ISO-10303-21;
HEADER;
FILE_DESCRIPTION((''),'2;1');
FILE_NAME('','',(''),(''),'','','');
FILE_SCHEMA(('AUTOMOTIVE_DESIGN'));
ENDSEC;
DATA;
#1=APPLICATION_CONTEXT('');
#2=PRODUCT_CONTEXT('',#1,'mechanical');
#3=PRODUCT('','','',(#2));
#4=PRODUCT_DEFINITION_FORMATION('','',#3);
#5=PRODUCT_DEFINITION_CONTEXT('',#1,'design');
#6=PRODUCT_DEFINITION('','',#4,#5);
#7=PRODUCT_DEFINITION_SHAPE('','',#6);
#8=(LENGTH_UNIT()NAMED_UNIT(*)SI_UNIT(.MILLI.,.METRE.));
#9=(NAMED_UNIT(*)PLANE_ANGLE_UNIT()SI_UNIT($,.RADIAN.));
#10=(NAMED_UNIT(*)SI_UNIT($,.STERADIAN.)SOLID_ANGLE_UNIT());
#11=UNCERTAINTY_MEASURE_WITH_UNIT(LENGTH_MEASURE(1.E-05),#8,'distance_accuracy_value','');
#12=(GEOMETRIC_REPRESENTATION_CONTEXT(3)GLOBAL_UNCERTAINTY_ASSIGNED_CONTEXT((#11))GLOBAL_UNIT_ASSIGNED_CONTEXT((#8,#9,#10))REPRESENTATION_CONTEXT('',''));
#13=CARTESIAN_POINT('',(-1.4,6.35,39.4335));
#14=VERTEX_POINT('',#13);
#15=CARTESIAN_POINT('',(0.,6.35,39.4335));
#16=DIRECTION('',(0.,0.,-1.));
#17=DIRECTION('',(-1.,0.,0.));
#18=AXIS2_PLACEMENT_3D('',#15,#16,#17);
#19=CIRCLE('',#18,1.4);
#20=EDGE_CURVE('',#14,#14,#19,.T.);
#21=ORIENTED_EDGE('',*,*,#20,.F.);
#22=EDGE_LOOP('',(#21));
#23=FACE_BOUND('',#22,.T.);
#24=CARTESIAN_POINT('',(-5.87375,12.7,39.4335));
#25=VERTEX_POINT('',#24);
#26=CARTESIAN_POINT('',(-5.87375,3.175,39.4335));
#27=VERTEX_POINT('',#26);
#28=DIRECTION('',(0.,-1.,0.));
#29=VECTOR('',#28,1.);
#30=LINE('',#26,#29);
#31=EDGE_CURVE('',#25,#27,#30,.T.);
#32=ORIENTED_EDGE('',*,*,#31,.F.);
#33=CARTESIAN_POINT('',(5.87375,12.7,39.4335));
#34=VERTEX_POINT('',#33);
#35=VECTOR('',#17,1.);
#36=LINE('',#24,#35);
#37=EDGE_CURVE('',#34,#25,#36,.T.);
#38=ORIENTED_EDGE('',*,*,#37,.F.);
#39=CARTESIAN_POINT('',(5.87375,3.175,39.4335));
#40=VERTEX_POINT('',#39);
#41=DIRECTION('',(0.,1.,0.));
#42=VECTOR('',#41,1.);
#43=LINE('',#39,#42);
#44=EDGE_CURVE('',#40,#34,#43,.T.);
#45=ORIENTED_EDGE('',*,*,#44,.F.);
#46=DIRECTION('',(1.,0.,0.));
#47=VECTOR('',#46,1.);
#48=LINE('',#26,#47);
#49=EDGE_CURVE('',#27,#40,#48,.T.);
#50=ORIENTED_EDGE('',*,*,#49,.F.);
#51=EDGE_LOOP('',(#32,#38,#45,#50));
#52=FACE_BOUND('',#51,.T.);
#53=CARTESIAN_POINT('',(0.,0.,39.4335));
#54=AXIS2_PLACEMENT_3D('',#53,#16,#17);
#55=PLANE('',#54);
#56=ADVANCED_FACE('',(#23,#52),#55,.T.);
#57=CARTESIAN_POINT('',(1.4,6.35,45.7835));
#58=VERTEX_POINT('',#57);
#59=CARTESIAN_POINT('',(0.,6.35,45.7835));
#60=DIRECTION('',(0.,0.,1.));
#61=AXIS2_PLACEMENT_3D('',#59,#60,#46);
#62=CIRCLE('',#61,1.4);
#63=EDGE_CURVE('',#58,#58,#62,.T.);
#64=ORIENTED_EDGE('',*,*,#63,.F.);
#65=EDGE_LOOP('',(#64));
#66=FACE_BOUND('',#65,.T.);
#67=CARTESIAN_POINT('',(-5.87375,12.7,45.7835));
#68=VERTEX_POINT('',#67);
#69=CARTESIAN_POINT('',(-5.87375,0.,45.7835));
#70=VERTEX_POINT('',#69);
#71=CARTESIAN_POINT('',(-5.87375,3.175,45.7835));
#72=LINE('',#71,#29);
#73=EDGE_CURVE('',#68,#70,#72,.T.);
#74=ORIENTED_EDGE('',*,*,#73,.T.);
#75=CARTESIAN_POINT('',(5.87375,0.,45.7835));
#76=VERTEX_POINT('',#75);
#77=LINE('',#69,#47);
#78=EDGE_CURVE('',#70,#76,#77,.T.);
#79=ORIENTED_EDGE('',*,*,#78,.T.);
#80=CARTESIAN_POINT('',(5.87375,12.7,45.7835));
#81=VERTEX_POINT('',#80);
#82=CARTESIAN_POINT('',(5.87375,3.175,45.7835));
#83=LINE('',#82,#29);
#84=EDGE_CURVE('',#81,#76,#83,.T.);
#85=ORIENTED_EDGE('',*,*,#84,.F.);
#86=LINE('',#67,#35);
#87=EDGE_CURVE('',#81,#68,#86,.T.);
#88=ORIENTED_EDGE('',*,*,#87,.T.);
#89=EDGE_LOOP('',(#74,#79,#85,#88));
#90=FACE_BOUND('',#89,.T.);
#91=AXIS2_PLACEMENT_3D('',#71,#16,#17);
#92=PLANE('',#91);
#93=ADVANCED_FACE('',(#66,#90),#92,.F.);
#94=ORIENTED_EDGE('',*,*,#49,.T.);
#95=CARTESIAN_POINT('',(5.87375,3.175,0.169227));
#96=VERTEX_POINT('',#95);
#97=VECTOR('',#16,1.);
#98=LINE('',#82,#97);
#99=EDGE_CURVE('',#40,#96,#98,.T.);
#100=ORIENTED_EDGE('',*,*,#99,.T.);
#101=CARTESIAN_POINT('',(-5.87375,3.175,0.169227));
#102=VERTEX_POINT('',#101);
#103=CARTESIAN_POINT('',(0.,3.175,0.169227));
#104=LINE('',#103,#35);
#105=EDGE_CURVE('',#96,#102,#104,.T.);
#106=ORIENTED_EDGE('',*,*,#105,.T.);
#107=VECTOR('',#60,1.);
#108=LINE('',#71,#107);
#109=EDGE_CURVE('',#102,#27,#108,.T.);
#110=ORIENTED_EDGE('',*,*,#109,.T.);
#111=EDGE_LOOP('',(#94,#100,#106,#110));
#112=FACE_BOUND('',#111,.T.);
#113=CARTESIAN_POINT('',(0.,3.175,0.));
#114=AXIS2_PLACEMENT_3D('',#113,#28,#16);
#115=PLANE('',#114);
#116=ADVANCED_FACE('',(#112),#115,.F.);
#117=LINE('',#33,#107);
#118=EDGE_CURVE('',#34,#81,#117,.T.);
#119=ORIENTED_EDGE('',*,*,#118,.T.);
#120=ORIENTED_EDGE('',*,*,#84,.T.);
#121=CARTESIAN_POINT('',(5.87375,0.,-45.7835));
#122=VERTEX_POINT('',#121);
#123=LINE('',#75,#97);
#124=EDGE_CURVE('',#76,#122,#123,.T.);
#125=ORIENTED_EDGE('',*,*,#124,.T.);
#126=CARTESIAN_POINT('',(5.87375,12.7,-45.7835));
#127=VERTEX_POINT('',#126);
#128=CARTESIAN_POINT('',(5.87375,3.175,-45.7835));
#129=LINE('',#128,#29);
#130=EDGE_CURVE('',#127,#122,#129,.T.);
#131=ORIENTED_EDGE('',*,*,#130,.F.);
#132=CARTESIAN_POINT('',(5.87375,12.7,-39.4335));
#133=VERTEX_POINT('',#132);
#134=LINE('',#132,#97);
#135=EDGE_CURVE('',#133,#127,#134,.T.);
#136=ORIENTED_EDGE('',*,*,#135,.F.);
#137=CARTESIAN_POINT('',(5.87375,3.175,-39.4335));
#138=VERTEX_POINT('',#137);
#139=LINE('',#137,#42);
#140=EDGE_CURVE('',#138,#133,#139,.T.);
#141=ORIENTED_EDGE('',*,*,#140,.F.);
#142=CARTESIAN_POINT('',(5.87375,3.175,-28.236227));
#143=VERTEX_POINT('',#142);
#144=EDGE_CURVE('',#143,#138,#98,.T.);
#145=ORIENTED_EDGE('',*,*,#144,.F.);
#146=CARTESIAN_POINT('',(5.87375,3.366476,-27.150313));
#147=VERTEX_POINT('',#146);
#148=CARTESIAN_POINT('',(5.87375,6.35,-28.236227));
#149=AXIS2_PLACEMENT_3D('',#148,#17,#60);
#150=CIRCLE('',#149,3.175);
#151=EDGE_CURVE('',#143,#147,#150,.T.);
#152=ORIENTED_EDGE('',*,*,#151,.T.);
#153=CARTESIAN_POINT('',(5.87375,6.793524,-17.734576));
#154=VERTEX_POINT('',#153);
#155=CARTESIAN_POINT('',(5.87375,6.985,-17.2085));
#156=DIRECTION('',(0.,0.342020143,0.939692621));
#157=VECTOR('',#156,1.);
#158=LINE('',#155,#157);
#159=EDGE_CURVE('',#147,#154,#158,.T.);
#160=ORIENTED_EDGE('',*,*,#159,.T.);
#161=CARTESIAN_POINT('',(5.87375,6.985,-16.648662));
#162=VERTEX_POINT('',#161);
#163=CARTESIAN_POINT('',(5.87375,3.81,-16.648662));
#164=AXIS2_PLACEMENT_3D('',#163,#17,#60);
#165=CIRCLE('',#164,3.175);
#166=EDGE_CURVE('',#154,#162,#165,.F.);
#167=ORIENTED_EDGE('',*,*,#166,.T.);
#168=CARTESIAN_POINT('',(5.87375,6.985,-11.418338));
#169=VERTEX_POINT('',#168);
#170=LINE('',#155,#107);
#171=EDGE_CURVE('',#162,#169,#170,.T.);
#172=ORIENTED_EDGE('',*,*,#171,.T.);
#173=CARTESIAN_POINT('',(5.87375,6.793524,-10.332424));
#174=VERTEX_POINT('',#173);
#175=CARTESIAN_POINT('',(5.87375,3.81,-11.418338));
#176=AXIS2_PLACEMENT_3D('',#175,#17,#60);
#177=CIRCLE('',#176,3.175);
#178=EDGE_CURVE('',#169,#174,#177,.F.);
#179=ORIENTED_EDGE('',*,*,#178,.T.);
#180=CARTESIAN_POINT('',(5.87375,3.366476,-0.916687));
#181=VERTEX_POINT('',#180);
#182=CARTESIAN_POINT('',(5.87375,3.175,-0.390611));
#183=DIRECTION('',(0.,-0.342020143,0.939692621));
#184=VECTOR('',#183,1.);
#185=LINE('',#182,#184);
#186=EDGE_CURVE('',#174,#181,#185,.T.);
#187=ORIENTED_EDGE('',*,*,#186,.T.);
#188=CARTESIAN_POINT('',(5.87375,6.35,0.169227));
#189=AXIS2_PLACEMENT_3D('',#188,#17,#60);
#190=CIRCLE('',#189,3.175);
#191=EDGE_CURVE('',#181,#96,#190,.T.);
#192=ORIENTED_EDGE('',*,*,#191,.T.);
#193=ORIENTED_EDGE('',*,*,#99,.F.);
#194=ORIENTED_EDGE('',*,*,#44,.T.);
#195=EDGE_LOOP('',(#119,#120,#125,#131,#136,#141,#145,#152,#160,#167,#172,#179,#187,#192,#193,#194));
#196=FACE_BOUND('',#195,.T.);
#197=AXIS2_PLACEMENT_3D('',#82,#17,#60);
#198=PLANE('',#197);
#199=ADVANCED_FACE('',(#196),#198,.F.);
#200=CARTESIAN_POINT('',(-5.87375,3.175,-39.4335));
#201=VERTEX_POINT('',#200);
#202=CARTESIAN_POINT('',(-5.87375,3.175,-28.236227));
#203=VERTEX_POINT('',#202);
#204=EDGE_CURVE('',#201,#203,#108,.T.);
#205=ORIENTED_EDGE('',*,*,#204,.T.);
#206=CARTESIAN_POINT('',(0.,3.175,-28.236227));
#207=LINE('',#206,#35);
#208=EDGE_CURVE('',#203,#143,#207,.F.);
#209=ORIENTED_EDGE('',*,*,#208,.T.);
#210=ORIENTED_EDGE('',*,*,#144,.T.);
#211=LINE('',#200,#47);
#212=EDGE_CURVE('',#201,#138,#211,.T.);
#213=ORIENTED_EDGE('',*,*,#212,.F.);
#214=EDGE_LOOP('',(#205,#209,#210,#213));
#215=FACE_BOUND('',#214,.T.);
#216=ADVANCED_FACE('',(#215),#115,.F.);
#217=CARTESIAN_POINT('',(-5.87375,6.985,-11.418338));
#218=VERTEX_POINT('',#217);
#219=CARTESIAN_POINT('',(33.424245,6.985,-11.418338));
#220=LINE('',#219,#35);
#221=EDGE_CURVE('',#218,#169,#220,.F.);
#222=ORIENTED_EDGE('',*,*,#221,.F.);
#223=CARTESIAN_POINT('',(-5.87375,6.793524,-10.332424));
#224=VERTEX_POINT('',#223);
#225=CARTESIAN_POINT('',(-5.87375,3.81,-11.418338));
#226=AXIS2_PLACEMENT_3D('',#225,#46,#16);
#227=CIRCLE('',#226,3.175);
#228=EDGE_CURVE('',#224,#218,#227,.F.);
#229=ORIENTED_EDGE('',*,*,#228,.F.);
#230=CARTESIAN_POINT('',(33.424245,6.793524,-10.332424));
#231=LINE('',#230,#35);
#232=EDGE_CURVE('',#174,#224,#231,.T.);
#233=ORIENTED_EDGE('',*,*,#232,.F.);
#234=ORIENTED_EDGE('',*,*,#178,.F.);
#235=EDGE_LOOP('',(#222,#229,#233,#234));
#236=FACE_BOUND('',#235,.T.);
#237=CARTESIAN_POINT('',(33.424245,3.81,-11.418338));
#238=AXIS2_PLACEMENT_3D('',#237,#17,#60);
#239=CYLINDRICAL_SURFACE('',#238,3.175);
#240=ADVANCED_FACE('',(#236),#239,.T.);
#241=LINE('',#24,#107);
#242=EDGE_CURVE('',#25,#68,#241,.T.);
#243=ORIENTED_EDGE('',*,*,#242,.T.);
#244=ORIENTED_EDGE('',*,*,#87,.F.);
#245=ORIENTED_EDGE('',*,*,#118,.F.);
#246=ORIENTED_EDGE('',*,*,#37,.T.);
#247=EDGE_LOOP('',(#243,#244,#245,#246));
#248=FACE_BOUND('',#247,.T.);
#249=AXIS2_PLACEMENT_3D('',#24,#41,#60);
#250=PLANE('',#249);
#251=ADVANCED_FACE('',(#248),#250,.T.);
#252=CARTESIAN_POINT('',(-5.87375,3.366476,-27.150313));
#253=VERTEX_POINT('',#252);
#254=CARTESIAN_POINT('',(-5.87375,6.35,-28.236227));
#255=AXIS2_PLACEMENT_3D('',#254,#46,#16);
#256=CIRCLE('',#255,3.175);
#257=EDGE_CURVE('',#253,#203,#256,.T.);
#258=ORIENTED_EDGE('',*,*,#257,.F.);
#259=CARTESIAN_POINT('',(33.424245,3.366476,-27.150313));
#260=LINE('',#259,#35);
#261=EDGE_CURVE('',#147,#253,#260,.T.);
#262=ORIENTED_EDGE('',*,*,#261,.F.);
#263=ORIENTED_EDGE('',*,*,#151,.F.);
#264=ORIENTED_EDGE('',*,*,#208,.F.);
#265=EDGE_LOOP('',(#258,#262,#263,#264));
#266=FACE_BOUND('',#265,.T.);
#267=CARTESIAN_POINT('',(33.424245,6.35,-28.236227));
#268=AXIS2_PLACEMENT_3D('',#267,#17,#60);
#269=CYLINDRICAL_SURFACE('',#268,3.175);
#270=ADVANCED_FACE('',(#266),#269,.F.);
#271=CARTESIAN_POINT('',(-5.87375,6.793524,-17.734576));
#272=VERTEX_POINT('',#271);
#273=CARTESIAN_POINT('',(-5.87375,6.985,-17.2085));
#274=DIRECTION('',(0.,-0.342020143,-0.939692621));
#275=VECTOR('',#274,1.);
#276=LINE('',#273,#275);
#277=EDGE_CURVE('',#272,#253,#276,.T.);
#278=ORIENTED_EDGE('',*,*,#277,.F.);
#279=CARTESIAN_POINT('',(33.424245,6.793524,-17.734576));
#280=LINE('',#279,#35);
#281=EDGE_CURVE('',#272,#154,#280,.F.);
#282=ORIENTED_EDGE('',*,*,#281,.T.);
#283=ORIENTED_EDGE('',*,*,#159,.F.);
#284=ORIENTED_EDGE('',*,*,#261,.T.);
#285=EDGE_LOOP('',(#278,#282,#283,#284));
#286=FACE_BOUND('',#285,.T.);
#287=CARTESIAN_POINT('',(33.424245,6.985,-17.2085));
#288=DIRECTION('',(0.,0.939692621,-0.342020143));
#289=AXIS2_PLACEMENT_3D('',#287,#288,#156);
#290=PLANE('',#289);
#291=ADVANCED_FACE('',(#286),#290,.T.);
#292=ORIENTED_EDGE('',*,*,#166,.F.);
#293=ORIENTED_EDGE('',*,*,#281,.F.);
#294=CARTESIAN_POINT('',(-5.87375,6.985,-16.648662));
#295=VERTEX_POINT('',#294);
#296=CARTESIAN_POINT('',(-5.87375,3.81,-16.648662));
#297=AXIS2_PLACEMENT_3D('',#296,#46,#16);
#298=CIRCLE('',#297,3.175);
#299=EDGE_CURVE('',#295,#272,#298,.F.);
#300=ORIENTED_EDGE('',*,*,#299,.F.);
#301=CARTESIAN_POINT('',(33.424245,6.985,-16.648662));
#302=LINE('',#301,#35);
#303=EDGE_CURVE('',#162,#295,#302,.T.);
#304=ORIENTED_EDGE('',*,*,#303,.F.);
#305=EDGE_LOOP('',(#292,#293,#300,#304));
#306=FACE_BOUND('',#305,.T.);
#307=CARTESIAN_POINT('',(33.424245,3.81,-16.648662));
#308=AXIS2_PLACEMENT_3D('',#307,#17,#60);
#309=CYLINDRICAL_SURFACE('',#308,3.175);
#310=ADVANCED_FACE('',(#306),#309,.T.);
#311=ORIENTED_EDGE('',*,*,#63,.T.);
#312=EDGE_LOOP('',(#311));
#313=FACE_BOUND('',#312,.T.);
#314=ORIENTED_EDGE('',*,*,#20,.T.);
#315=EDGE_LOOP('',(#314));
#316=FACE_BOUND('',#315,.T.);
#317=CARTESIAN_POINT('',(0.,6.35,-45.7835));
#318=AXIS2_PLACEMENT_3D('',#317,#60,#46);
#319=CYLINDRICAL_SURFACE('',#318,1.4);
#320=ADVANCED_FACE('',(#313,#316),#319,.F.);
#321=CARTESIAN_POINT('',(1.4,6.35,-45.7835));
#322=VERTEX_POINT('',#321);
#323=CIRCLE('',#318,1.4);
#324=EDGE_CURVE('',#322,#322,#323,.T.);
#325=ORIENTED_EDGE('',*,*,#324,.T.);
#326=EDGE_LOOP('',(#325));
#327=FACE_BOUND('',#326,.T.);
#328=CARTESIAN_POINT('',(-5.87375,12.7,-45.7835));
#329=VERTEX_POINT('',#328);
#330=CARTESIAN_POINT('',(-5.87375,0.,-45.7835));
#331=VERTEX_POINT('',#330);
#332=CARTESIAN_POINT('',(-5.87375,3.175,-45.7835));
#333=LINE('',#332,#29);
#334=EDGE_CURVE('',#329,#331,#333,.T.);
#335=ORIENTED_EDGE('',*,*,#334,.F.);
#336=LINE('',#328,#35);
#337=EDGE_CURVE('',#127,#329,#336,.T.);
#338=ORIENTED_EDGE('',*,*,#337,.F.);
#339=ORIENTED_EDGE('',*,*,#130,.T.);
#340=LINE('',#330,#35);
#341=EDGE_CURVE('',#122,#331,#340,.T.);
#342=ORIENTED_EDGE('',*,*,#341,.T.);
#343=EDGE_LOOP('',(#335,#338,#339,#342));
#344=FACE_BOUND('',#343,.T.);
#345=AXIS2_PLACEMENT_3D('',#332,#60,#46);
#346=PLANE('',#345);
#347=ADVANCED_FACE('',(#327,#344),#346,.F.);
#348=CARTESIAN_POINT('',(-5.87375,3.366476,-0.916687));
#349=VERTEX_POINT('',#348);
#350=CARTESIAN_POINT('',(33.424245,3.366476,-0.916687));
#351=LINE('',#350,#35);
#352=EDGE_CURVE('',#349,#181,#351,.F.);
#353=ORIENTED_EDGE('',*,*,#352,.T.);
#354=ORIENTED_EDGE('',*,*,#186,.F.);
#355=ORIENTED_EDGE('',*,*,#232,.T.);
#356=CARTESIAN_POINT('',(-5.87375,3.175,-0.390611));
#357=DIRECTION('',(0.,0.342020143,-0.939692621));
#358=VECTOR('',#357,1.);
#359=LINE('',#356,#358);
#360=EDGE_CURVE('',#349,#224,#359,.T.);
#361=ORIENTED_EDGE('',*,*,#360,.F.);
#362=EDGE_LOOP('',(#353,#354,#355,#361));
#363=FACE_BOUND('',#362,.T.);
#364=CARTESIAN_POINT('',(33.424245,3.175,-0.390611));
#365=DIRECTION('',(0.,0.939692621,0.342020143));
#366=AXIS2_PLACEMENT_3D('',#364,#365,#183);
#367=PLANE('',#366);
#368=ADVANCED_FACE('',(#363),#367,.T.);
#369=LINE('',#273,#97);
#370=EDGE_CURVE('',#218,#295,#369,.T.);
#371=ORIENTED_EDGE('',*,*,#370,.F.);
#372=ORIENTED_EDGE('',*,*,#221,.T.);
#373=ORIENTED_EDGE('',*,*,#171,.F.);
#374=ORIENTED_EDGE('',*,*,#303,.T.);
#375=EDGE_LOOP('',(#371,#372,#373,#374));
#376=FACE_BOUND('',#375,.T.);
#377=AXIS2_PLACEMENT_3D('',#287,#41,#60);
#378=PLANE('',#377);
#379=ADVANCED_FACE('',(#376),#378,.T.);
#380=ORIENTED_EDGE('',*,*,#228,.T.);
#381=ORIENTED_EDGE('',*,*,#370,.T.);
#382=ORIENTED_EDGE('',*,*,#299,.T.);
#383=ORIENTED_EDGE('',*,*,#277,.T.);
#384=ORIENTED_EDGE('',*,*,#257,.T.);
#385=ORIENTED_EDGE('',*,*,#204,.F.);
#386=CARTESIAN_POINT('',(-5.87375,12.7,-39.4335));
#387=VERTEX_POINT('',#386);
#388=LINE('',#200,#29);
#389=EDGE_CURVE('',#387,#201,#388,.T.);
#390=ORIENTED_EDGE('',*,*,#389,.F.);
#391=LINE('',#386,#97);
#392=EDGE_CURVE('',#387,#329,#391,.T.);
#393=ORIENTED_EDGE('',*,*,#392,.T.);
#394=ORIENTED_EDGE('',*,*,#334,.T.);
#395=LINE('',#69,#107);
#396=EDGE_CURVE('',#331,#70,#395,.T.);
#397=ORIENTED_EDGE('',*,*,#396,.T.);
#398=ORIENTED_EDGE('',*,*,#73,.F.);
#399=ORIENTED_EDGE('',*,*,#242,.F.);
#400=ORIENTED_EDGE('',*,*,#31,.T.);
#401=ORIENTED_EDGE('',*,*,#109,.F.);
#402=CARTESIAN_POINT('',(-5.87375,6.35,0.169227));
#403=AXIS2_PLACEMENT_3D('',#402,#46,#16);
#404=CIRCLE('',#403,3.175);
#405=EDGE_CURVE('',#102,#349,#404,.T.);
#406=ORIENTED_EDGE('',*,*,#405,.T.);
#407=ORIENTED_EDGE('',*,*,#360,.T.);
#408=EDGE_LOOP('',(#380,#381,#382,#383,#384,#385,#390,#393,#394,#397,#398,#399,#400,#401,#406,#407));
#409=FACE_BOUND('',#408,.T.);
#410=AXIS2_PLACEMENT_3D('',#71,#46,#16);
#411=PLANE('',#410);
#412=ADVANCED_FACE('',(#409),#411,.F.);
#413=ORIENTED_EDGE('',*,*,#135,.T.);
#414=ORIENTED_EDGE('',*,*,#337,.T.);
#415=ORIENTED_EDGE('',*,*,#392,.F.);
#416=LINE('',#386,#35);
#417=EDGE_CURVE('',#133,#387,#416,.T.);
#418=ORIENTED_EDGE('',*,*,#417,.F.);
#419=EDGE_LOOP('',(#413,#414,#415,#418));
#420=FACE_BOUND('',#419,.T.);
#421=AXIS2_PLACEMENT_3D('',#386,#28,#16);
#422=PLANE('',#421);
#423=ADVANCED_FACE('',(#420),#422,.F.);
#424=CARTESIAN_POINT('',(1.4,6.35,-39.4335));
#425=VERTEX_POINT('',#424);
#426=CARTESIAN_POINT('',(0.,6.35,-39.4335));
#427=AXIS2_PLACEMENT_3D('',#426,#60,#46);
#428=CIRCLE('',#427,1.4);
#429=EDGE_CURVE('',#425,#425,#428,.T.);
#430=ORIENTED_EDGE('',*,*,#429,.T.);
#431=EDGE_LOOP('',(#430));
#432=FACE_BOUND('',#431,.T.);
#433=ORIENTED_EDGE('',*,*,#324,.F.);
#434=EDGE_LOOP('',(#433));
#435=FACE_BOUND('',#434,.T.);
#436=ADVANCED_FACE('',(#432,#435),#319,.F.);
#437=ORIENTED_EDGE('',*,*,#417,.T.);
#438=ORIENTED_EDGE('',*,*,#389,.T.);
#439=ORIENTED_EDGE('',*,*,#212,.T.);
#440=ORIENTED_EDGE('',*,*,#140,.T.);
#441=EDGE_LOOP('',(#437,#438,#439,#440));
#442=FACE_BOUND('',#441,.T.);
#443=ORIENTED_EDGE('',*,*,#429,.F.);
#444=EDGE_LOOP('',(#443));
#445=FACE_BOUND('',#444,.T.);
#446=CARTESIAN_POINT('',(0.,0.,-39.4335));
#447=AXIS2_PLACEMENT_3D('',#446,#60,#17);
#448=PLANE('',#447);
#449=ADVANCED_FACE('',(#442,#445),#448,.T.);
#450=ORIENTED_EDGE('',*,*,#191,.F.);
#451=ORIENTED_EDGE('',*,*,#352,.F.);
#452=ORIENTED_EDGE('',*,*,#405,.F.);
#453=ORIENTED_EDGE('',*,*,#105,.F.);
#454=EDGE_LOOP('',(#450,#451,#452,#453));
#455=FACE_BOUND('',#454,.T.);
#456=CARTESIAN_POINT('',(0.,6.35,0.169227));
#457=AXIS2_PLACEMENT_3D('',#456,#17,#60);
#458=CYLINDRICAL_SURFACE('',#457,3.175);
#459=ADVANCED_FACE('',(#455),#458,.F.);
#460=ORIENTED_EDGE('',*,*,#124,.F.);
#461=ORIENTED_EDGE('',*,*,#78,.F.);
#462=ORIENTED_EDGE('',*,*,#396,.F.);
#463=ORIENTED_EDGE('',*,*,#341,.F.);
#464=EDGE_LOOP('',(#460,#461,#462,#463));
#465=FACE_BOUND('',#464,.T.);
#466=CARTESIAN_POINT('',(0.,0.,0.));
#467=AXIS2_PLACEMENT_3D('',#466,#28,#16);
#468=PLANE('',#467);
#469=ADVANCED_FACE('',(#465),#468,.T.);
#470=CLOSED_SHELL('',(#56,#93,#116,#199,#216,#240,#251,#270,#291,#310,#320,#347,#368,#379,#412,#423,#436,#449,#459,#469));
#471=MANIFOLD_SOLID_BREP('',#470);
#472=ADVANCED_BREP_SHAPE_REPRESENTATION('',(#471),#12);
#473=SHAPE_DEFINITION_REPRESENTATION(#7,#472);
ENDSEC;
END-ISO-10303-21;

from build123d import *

# Parameters (mm, degrees)
SKETCH1_W           = 11.7475
SKETCH1_H           = 91.567
BOSS_EXTRUDE1_DEPTH = 3.175
SKETCH5_W           = 11.7475
SKETCH5_H           = 9.525
BOSS_EXTRUDE2_DEPTH = 6.35
SKETCH4_R           = 1.399999994
CUT_EXTRUDE1_DEPTH  = 92.567
BOSS_EXTRUDE3_DEPTH = 11.7475
FILLET1_R           = 3.175


with BuildPart() as part:
    # Sketch1 → Boss-Extrude1 (new body)
    with BuildSketch(Plane(origin=(0, 0, 0), x_dir=(1, 0, 0), z_dir=(0, 1, 0))):
        Rectangle(SKETCH1_W, SKETCH1_H)
    extrude(amount=BOSS_EXTRUDE1_DEPTH)

    # Sketch5 → Boss-Extrude2 (add)
    with BuildSketch(Plane.XY.offset(45.7835)):
        with Locations((0, 7.9375)):
            Rectangle(SKETCH5_W, SKETCH5_H)
    boss_extrude2 = extrude(amount=-BOSS_EXTRUDE2_DEPTH)

    # Mirror1: Boss-Extrude2 across plane
    add(boss_extrude2.mirror(Plane.XY))

    # Sketch4 → Cut-Extrude1 (cut, through all)
    with BuildSketch(Plane.XY.offset(45.7835)):
        with Locations((0, 6.35)):
            Circle(SKETCH4_R)
    extrude(amount=-CUT_EXTRUDE1_DEPTH, mode=Mode.SUBTRACT)

    # Sketch6 → Boss-Extrude3 (add)
    with BuildSketch(Plane.ZY.offset(5.87375)):
        Polygon((-17.2085, 6.985), (-10.8585, 6.985), (-0.390611032, 3.175), (-27.676388968, 3.175), align=None)
    extrude(amount=-BOSS_EXTRUDE3_DEPTH)

    # Fillet1
    fillet1_edges = [part.edges().sort_by_distance(p)[0] for p in [
        (0, 3.175, -27.676388968),
        (0, 6.985, -17.2085),
        (0, 6.985, -10.8585),
        (0, 3.175, -0.390611032),
    ]]
    fillet(fillet1_edges, radius=FILLET1_R)


solid = part.part
